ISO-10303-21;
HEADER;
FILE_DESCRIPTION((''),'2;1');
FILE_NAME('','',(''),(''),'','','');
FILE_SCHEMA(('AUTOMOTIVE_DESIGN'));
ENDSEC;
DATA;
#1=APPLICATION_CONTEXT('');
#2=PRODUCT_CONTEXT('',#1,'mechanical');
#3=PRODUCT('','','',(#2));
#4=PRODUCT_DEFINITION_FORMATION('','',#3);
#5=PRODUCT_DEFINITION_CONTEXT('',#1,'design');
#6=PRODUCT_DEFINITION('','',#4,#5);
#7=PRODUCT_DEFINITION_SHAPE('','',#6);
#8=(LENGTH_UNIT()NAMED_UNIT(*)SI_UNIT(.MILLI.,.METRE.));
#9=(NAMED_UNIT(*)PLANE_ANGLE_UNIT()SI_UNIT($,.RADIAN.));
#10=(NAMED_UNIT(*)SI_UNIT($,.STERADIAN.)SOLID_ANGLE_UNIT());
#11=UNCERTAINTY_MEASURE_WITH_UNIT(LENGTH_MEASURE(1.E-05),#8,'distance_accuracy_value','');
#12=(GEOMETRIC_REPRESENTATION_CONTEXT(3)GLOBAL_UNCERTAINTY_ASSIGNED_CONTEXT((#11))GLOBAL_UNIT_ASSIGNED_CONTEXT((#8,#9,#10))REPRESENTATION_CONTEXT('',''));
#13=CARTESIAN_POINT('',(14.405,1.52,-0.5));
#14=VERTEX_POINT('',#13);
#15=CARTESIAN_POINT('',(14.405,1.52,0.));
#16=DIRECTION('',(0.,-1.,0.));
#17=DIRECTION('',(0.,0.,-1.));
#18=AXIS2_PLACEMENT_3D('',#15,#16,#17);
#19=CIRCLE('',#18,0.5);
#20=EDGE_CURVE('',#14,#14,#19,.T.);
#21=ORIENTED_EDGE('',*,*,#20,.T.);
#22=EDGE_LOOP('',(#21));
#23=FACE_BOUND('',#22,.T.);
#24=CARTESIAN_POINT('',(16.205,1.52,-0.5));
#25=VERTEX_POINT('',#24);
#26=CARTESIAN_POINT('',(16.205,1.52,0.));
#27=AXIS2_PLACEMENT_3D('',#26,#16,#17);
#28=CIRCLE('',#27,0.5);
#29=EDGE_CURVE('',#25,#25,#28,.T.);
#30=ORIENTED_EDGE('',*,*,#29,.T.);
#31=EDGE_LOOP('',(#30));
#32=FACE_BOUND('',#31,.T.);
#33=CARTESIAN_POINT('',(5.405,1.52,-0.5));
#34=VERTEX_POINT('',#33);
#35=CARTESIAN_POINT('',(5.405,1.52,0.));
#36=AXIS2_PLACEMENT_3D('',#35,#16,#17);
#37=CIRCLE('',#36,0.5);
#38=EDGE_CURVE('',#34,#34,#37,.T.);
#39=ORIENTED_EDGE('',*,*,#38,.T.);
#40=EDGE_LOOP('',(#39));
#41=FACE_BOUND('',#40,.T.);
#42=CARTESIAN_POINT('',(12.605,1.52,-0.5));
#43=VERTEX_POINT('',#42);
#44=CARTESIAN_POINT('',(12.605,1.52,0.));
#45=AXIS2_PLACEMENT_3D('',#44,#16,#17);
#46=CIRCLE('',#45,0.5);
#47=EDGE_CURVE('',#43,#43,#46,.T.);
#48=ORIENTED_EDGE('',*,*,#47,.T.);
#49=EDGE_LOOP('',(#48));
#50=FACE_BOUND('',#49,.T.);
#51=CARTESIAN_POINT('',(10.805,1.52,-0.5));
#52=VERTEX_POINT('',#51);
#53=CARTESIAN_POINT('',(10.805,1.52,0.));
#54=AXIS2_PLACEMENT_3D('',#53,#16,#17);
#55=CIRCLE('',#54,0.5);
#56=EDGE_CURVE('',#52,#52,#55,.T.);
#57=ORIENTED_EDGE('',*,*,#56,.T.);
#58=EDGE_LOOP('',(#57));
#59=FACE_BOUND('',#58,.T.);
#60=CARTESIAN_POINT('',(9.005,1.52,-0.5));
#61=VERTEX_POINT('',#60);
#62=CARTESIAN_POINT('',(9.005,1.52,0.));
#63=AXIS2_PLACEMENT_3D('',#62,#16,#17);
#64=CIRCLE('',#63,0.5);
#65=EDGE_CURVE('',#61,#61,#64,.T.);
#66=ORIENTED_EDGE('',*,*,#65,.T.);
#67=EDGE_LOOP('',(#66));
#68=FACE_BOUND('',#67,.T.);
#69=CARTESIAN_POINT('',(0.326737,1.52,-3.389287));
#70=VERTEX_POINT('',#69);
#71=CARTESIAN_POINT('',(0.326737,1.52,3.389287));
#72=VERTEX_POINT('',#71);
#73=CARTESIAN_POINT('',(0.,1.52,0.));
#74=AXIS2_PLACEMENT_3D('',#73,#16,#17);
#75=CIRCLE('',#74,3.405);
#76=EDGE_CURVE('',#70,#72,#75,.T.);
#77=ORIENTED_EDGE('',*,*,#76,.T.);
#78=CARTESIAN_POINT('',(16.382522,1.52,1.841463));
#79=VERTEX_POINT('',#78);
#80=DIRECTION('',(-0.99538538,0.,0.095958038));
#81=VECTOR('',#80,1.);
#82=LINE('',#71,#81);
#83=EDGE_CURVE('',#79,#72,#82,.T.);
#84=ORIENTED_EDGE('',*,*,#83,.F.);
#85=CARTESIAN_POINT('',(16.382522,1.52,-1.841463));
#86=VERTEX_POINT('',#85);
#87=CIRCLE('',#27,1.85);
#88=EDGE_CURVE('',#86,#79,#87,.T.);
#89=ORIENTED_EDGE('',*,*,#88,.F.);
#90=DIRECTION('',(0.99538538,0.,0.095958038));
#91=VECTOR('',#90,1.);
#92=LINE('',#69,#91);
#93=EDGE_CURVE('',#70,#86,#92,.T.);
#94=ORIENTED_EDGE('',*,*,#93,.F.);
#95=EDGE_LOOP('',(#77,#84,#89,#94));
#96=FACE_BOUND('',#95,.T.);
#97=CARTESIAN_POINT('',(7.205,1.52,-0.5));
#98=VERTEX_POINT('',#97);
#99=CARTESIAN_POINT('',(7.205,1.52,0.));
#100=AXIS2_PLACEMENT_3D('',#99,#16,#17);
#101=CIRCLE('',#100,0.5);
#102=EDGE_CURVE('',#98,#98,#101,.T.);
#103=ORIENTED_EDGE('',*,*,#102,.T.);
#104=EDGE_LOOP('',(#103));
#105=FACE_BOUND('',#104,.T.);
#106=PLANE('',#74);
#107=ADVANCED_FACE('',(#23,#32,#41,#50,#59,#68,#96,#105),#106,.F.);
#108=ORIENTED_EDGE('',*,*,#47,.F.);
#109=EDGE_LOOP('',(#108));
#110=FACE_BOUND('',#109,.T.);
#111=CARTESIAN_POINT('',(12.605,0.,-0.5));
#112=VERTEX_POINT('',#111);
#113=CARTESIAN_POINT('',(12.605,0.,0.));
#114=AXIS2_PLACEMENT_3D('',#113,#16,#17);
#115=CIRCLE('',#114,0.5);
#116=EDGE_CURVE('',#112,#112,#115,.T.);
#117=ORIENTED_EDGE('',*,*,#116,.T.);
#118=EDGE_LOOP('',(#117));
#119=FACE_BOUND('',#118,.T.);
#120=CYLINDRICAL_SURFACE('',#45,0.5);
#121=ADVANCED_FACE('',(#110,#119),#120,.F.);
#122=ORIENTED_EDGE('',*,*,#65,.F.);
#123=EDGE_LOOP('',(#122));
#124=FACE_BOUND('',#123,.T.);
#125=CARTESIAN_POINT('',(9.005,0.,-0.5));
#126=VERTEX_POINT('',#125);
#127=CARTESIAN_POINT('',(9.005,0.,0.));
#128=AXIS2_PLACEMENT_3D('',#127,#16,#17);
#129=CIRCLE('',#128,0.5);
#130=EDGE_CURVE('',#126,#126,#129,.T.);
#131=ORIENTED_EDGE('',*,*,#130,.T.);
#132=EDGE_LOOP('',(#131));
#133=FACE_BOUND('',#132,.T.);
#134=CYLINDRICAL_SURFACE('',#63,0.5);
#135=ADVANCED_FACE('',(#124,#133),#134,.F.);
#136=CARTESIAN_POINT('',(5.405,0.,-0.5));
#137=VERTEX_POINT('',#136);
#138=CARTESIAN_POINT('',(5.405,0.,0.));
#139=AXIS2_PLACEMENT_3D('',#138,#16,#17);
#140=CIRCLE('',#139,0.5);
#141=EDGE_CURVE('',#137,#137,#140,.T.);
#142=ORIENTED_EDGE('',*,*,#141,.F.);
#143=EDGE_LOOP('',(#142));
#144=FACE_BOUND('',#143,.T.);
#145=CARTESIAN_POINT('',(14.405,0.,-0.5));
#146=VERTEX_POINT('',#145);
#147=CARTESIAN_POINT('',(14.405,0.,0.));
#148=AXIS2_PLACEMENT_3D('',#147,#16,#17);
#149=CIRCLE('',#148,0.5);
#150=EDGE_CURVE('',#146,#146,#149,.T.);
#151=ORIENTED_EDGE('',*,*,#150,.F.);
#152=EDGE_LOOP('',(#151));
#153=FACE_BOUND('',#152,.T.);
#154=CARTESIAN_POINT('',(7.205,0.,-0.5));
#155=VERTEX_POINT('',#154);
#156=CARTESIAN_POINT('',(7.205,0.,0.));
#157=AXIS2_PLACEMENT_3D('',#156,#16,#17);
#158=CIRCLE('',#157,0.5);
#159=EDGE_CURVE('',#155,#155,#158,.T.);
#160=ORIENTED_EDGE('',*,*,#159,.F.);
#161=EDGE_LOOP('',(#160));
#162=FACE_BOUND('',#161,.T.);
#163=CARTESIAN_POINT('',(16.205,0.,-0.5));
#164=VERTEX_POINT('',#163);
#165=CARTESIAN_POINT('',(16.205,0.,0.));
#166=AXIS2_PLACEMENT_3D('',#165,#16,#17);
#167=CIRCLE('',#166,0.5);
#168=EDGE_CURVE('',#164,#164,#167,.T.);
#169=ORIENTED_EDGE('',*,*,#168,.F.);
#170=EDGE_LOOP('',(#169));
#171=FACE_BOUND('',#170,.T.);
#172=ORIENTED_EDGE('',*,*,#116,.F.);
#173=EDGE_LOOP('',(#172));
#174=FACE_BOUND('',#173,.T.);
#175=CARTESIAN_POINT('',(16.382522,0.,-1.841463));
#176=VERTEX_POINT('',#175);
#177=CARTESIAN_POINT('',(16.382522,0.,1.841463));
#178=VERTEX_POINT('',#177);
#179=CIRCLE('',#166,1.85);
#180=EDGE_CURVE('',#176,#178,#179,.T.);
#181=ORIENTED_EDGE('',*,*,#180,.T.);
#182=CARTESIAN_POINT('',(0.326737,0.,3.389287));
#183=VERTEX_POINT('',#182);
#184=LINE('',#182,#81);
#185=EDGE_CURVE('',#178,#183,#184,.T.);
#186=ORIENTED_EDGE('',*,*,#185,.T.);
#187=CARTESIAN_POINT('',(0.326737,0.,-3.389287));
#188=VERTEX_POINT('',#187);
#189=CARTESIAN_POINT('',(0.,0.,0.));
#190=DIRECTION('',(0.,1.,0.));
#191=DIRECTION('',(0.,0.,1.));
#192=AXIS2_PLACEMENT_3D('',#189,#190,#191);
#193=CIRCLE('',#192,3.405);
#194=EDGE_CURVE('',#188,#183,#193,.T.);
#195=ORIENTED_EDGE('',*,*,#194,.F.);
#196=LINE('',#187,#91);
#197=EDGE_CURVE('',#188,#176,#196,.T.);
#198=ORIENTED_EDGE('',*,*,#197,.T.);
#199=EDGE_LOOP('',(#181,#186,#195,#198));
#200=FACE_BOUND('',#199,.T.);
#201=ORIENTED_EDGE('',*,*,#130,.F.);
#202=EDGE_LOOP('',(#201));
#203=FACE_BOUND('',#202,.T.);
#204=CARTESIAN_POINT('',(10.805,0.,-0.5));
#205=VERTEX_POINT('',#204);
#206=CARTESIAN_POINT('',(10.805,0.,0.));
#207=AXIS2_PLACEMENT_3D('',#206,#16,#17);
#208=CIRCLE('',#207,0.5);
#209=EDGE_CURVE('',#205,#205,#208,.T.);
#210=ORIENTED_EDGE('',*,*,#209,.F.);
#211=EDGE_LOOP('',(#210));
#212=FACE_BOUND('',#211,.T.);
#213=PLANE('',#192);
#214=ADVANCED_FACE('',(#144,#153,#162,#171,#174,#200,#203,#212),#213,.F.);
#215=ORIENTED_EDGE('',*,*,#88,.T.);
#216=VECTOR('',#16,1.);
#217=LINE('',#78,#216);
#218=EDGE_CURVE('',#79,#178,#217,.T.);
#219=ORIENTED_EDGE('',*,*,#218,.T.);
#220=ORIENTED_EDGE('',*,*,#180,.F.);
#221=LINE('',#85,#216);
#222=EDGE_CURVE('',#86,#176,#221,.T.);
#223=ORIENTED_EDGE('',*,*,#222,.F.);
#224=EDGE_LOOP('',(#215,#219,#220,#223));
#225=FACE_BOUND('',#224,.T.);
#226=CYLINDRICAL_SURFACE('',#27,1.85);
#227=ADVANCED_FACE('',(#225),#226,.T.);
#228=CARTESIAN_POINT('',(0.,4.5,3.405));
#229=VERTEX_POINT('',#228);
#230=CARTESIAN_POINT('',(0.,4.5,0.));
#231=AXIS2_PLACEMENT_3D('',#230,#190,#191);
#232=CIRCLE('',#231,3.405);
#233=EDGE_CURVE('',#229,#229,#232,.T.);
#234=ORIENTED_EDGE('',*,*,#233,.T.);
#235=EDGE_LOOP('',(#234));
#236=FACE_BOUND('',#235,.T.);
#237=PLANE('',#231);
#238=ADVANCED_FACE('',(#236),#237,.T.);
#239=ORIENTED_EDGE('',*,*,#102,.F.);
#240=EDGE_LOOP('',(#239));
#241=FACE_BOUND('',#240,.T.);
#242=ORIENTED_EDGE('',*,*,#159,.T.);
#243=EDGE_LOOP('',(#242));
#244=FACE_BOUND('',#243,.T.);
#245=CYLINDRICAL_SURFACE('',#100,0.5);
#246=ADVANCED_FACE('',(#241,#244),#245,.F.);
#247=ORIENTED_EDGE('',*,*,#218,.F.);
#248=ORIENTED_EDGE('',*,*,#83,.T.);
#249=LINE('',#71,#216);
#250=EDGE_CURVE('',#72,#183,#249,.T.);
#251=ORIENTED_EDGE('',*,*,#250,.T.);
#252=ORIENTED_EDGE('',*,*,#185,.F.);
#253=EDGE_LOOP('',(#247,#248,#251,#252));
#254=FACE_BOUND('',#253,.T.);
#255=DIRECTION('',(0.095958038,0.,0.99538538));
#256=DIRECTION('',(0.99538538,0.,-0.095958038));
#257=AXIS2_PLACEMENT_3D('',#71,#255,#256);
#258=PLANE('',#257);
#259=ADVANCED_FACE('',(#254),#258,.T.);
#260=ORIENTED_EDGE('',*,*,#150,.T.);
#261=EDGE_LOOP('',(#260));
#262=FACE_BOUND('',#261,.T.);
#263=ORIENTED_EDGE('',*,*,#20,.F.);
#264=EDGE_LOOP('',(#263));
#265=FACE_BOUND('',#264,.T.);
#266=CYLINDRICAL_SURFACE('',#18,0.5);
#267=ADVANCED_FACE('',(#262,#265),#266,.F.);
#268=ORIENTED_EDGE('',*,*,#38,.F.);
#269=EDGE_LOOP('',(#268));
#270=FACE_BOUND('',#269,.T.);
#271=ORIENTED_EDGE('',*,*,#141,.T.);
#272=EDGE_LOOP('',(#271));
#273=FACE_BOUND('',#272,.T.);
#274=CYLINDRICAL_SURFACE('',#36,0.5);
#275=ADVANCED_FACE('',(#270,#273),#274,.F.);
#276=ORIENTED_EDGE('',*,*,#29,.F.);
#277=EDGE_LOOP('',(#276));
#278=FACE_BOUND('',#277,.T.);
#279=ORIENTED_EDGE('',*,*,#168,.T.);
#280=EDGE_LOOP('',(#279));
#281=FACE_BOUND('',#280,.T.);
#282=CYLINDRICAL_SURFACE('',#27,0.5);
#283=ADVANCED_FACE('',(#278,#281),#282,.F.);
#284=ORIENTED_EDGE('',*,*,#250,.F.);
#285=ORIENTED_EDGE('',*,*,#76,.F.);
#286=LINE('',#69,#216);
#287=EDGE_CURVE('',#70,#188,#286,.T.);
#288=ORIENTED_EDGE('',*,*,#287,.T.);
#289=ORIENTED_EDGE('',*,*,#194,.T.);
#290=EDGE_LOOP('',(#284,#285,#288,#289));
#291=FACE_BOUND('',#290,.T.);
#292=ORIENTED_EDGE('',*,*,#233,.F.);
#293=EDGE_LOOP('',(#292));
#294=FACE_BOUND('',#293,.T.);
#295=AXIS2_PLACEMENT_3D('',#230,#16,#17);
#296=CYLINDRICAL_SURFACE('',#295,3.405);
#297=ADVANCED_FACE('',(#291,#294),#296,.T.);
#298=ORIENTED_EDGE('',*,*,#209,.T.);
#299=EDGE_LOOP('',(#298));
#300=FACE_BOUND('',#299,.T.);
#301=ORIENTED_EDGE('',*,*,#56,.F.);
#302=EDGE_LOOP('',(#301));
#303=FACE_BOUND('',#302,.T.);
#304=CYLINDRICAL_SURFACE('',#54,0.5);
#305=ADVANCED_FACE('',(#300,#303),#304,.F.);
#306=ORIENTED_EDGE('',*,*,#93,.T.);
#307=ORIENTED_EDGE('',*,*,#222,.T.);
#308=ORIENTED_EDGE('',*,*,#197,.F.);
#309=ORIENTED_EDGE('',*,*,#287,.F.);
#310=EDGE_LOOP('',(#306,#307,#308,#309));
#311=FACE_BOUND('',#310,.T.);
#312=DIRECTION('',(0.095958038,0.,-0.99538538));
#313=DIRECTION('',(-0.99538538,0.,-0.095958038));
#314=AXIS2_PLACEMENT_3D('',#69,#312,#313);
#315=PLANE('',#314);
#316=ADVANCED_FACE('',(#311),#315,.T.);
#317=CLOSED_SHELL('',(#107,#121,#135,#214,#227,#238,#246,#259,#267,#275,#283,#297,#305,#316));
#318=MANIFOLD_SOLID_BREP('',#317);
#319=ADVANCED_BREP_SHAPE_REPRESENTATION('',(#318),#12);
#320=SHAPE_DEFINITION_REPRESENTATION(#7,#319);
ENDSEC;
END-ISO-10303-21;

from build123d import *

# Parameters (mm, degrees)
SKETCH_1_R          = 3.405
EXTRUDE_1_DEPTH     = 4.5
EXTRUDE_2_DEPTH     = 1.52
SKETCH_3_R          = 0.5
CUT_EXTRUDE_1_DEPTH = 1.52


with BuildPart() as part:
    # 草图1 → 凸台-拉伸1 (new body)
    with BuildSketch(Plane(origin=(0, 0, 0), x_dir=(1, 0, 0), z_dir=(0, 1, 0))):
        Circle(SKETCH_1_R)
    extrude(amount=EXTRUDE_1_DEPTH)

    # 草图2 → 凸台-拉伸2 (add)
    with BuildSketch(Plane.XZ):
        with BuildLine():
            Line((0.326737118, 3.389287219), (16.38252237, 1.841462953))
            ThreePointArc((16.38252237, 1.841462953), (18.055, 0), (16.38252237, -1.841462953))
            Line((16.38252237, -1.841462953), (0.326737118, -3.389287219))
            ThreePointArc((0.326737118, -3.389287219), (-3.405, 0), (0.326737118, 3.389287219))
        make_face()
    extrude(amount=-EXTRUDE_2_DEPTH)

    # 草图3 → 切除-拉伸1 (cut)
    with BuildSketch(Plane.XZ):
        with Locations((16.205, 0)):
            Circle(SKETCH_3_R)
        with Locations((14.405, 0)):
            Circle(SKETCH_3_R)
        with Locations((12.605, 0)):
            Circle(SKETCH_3_R)
        with Locations((10.805, 0)):
            Circle(SKETCH_3_R)
        with Locations((9.005, 0)):
            Circle(SKETCH_3_R)
        with Locations((7.205, 0)):
            Circle(SKETCH_3_R)
        with Locations((5.405, 0)):
            Circle(SKETCH_3_R)
    extrude(amount=-CUT_EXTRUDE_1_DEPTH, mode=Mode.SUBTRACT)


solid = part.part
